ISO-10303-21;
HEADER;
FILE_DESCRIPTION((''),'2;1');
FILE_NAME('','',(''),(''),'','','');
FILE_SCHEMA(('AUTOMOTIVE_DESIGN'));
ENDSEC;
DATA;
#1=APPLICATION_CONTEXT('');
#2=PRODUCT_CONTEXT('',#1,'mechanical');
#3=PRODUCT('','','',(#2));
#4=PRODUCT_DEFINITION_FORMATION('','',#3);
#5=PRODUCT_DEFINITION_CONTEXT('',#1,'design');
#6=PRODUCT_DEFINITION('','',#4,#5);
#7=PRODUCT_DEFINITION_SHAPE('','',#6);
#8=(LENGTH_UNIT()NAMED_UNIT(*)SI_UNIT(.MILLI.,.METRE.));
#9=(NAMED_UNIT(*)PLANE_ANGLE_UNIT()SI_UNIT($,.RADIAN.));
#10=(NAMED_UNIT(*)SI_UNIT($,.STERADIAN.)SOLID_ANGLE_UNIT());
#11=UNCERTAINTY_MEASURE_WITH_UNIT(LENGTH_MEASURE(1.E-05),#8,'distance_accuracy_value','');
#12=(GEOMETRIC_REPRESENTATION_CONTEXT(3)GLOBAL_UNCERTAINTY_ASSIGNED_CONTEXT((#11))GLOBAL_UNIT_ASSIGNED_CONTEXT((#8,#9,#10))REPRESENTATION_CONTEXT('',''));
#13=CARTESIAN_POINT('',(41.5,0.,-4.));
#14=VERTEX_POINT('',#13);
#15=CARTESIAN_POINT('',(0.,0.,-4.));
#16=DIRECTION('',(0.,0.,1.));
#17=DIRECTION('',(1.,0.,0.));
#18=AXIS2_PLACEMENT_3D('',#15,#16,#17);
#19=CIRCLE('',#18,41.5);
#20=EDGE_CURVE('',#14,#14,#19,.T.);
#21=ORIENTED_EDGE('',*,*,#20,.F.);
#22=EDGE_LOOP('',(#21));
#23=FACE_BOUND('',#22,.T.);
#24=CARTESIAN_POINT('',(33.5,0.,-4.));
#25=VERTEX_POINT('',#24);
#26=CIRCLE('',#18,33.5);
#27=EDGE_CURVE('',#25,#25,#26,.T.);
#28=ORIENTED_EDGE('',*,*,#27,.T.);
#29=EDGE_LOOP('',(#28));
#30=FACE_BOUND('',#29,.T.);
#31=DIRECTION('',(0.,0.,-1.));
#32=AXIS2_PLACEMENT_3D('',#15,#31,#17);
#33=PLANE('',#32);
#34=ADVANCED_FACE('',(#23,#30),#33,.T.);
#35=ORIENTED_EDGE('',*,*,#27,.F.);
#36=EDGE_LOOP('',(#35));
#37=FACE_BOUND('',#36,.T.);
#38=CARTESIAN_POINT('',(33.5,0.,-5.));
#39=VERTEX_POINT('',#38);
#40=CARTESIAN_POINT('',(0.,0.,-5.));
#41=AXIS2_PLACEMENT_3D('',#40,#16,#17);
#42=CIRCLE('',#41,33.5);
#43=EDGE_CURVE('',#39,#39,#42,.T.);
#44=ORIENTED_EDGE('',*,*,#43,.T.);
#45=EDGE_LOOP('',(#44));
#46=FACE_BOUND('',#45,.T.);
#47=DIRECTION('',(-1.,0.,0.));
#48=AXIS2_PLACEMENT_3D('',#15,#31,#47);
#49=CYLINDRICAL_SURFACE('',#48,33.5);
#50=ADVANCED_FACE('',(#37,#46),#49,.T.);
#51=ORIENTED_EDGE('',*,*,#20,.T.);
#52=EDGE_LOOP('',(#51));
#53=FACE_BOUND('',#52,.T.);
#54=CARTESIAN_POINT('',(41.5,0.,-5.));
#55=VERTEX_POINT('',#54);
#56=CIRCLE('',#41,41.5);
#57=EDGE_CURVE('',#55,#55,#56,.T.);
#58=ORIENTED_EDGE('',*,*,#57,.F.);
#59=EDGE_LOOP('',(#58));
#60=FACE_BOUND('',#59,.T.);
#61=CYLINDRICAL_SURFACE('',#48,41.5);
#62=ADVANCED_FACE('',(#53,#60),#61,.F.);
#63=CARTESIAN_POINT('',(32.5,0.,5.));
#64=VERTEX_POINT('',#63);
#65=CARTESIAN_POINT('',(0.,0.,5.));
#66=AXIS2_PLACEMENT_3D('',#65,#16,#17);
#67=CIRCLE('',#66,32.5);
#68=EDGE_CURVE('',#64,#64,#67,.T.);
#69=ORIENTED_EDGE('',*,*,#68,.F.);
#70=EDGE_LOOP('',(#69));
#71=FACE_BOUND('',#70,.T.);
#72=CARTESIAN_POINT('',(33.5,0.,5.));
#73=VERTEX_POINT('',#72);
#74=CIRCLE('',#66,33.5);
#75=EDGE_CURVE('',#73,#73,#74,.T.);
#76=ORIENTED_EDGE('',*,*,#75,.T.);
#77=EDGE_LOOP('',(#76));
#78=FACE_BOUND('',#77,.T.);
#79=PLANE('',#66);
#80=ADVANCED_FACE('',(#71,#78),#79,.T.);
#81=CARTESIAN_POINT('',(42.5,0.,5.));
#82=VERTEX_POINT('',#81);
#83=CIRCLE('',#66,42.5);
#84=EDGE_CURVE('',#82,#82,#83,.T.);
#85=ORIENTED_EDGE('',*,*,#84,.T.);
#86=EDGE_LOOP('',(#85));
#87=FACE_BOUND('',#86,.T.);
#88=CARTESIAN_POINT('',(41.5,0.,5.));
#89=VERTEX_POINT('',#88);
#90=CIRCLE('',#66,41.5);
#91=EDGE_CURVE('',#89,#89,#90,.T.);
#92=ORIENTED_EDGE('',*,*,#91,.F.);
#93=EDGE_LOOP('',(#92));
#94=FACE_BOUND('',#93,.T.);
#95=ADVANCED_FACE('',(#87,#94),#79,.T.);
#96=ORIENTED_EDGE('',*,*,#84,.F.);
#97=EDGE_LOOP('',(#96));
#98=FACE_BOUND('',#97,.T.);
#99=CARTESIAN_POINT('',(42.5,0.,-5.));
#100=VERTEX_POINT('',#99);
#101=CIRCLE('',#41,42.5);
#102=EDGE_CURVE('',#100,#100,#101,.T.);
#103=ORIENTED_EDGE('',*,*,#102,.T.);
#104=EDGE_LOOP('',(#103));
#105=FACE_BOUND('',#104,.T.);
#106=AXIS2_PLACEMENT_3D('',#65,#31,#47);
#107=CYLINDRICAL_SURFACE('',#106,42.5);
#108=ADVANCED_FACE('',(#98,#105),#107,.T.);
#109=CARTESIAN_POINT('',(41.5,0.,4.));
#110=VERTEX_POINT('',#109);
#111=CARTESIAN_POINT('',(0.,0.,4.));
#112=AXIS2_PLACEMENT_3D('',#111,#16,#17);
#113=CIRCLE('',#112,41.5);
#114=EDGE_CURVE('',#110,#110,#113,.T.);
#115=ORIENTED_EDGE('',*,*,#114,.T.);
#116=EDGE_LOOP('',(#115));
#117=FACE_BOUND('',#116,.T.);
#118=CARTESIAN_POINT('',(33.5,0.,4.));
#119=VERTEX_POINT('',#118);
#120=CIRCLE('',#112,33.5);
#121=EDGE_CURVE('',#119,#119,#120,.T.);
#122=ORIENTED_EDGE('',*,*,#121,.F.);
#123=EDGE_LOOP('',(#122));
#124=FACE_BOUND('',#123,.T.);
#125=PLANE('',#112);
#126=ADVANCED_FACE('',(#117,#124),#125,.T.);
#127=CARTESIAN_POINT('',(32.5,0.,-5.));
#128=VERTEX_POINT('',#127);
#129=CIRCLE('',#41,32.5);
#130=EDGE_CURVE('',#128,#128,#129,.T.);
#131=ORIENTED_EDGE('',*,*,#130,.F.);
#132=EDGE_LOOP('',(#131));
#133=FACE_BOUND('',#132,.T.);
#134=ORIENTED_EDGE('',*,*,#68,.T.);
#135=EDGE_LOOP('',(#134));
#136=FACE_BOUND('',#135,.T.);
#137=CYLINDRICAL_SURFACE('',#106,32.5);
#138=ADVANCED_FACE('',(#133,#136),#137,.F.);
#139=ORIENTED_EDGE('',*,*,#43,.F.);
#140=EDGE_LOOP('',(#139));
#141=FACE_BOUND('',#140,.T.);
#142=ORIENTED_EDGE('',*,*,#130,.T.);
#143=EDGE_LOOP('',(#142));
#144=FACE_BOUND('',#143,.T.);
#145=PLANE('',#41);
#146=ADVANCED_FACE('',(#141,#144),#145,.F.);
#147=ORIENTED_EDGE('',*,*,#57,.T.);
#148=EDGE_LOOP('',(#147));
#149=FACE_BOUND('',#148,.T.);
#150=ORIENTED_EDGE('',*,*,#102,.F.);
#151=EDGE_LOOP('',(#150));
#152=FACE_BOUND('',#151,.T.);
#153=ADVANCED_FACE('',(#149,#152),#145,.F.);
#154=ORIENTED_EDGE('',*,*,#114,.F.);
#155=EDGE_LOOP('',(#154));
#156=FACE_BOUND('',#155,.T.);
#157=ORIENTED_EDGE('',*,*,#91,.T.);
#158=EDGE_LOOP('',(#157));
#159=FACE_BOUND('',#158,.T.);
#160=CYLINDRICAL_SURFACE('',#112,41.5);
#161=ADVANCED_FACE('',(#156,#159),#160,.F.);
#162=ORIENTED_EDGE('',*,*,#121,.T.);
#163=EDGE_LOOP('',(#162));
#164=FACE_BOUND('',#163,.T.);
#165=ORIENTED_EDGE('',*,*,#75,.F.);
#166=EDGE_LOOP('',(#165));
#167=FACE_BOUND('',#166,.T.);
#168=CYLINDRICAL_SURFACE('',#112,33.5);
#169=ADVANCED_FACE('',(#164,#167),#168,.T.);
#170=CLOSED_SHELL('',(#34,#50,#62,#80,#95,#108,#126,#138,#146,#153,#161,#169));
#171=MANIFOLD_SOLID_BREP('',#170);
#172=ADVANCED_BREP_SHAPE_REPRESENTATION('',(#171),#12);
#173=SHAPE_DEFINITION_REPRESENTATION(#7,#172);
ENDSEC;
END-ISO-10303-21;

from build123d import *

# Parameters (mm, degrees)
SKETCH1_R           = 42.5
SKETCH1_R_2         = 32.5
BOSS_EXTRUDE1_DEPTH = 5
SKETCH2_R           = 41.5
SKETCH2_R_2         = 33.5
CUT_EXTRUDE1_DEPTH  = 1


with BuildPart() as part:
    # Sketch1 → Boss-Extrude1 (new, symmetric)
    with BuildSketch(Plane.XY):
        Circle(SKETCH1_R)
        Circle(SKETCH1_R_2, mode=Mode.SUBTRACT)
    extrude(amount=BOSS_EXTRUDE1_DEPTH, both=True)

    # Sketch2 → Cut-Extrude1 (cut)
    with BuildSketch(Plane.XY.offset(5)):
        Circle(SKETCH2_R)
        Circle(SKETCH2_R_2, mode=Mode.SUBTRACT)
    cut_extrude1 = extrude(amount=-CUT_EXTRUDE1_DEPTH, mode=Mode.SUBTRACT)

    # Mirror1: Cut-Extrude1 across plane
    add(cut_extrude1.mirror(Plane.XY), mode=Mode.SUBTRACT)


solid = part.part
